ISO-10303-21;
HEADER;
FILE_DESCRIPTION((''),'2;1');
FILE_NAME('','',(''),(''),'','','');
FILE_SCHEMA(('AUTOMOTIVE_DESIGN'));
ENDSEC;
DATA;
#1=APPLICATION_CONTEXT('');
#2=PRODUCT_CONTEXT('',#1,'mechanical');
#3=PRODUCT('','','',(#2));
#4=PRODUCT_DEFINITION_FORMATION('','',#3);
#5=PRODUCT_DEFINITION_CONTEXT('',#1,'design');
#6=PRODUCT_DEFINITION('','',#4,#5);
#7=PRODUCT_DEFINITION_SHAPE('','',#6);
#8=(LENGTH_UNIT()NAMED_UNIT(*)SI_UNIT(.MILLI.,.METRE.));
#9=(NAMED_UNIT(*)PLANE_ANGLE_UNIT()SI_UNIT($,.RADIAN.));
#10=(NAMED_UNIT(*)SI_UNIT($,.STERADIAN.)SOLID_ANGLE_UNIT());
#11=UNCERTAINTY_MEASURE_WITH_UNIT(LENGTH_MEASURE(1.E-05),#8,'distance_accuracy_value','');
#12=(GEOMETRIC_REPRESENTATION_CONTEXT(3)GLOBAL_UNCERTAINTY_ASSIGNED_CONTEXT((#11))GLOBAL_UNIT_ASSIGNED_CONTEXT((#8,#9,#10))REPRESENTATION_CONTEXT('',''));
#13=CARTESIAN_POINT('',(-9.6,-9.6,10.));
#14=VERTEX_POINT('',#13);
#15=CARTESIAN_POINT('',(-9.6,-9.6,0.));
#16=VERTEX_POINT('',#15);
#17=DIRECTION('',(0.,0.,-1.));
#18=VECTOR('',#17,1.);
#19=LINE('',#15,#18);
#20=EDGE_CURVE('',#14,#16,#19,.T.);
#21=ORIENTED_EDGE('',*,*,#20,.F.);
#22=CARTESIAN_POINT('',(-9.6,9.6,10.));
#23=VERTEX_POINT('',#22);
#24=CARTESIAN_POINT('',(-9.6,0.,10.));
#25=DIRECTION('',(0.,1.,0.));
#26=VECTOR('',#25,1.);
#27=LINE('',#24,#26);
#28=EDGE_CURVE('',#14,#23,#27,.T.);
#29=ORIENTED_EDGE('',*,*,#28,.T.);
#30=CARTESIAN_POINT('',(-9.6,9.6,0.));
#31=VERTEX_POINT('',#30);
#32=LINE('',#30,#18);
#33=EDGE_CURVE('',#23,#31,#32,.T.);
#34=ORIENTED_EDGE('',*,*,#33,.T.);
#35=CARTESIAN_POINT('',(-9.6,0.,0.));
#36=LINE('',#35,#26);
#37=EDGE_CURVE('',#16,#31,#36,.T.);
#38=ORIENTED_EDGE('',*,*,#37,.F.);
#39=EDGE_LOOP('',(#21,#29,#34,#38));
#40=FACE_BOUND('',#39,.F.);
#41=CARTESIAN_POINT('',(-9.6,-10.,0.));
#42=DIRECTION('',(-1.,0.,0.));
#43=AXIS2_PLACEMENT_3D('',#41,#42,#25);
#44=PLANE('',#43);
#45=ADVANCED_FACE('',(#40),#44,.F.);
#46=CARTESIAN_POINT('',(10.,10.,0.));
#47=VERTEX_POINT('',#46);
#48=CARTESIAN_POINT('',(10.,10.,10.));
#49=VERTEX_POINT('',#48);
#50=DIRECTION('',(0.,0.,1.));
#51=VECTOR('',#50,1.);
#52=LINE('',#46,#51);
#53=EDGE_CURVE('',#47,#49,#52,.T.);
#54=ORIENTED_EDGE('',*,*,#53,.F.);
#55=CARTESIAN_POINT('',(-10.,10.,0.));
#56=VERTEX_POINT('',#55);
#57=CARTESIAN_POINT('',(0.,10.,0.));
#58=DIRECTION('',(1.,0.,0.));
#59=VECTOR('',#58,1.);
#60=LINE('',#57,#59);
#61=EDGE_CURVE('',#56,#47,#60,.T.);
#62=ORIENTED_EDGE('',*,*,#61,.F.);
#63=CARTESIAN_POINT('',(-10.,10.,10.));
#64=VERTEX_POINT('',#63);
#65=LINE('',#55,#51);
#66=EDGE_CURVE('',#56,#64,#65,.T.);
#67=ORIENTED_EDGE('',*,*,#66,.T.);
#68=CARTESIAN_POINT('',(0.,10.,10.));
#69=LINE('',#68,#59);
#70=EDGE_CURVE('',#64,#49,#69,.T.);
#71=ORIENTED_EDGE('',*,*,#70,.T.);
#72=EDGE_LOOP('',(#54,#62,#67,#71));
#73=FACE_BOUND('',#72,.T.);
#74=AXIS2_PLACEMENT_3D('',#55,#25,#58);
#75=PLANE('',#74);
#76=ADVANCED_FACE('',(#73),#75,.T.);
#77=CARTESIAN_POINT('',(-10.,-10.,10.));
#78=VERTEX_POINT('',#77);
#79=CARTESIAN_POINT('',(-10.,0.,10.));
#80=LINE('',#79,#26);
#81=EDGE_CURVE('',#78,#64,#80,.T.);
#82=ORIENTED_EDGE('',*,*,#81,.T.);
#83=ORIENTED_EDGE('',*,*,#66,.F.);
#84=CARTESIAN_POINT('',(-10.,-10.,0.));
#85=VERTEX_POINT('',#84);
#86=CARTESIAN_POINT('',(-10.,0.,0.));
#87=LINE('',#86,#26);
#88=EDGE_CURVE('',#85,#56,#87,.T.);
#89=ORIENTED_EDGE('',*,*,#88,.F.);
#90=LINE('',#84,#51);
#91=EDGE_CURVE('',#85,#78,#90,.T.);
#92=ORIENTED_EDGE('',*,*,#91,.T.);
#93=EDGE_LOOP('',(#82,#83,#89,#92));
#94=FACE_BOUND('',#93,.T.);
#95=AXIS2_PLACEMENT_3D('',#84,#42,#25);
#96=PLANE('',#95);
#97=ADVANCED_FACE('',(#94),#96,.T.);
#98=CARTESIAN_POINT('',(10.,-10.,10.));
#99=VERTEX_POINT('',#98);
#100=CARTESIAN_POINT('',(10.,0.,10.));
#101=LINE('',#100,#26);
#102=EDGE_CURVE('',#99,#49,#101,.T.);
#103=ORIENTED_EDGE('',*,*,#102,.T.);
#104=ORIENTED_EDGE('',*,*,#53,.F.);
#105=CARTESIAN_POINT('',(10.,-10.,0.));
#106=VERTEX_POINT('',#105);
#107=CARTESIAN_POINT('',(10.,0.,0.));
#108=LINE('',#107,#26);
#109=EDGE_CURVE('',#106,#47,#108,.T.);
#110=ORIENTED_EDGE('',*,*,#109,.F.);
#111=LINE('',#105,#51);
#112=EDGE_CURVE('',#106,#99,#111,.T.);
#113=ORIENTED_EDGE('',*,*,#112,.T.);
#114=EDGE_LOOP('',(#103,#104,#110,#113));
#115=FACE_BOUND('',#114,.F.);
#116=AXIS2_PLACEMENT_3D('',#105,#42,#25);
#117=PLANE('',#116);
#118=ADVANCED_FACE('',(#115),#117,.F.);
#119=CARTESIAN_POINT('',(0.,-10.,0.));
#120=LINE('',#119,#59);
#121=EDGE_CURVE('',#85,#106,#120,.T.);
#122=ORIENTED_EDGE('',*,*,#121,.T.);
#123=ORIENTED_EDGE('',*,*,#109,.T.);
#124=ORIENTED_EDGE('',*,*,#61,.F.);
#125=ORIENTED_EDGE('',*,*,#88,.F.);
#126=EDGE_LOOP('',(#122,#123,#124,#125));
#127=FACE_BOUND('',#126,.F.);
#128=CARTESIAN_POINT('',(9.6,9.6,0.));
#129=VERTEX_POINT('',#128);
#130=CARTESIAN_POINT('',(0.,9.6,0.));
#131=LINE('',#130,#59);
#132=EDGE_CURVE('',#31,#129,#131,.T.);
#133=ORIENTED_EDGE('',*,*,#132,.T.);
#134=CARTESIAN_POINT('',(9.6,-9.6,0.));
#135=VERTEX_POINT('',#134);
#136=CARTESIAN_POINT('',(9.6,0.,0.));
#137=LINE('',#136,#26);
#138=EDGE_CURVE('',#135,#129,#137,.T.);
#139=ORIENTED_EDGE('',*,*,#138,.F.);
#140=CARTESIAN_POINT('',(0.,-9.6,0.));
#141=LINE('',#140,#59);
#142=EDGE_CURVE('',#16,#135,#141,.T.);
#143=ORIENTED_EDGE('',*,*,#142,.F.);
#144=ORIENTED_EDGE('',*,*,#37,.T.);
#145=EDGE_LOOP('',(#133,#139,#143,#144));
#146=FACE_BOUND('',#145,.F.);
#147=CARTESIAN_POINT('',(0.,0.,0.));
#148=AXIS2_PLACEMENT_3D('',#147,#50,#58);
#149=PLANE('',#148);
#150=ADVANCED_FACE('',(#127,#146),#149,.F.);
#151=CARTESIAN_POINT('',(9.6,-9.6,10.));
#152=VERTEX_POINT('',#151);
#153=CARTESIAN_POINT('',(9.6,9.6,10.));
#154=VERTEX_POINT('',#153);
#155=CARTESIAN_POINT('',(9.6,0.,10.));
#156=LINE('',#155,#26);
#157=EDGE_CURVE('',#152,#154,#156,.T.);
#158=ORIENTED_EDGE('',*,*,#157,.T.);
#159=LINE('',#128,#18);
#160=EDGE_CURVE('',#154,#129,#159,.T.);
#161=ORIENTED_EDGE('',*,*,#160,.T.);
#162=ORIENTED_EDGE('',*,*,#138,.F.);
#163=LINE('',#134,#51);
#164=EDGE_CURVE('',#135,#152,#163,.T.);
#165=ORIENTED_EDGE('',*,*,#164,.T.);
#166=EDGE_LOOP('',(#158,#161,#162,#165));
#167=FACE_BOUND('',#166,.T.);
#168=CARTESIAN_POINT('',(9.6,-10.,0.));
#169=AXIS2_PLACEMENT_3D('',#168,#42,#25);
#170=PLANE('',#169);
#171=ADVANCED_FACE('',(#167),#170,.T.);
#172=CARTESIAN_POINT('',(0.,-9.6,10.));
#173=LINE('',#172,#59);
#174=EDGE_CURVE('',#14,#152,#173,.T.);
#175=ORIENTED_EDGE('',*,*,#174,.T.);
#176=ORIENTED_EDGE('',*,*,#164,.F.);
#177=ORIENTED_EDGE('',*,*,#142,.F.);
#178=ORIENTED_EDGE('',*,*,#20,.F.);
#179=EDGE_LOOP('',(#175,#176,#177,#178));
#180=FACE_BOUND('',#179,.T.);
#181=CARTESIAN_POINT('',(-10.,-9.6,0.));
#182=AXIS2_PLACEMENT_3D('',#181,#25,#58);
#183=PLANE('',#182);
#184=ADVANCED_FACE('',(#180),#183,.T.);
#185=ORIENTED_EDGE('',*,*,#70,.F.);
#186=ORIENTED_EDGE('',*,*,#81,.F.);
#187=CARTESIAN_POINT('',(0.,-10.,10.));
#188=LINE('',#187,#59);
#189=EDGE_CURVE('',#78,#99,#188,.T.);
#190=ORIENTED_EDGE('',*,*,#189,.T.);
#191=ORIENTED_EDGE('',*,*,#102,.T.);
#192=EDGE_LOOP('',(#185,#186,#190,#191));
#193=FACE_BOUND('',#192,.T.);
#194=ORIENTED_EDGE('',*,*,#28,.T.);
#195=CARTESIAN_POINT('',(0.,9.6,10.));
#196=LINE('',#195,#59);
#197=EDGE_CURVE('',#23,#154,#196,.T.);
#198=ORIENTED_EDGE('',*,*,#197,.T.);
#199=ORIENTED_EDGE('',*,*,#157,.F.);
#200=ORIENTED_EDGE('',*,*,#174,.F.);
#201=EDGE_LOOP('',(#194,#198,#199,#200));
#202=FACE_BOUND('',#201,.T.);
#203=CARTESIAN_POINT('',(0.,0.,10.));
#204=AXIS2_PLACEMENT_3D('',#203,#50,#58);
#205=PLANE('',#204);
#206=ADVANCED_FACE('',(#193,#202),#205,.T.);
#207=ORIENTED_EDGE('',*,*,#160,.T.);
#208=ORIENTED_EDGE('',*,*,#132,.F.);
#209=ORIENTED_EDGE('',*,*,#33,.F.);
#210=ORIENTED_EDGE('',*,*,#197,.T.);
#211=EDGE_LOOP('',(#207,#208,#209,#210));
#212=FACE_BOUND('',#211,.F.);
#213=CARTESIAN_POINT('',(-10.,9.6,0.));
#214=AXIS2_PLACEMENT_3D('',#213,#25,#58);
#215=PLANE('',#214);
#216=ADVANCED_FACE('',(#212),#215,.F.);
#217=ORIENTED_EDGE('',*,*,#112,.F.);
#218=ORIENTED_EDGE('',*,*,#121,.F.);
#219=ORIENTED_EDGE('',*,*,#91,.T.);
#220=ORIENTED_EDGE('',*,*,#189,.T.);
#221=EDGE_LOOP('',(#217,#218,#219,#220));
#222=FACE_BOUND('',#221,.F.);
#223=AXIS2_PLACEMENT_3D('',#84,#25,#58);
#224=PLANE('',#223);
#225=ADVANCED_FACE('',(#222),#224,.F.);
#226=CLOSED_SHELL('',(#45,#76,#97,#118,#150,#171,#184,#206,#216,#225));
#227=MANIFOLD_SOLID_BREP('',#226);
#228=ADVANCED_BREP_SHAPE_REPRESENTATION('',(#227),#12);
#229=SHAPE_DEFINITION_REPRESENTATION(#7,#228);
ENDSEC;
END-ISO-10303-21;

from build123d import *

# Parameters (mm, degrees)
F0_W     = 20
F0_H     = 20
F1_DEPTH = 10
F2_T     = -0.4


with BuildPart() as f1:
    # F0 (on Top) → F1 (new body)
    with BuildSketch(Plane.XY):
        Rectangle(F0_W, F0_H)
    extrude(amount=F1_DEPTH)

    # F2
    f2_openings = [f1.faces().sort_by_distance(p)[0] for p in [
        (0, 0, 10),
        (0, 0, 0),
    ]]
    offset(amount=F2_T, openings=f2_openings)


solid = f1.part
